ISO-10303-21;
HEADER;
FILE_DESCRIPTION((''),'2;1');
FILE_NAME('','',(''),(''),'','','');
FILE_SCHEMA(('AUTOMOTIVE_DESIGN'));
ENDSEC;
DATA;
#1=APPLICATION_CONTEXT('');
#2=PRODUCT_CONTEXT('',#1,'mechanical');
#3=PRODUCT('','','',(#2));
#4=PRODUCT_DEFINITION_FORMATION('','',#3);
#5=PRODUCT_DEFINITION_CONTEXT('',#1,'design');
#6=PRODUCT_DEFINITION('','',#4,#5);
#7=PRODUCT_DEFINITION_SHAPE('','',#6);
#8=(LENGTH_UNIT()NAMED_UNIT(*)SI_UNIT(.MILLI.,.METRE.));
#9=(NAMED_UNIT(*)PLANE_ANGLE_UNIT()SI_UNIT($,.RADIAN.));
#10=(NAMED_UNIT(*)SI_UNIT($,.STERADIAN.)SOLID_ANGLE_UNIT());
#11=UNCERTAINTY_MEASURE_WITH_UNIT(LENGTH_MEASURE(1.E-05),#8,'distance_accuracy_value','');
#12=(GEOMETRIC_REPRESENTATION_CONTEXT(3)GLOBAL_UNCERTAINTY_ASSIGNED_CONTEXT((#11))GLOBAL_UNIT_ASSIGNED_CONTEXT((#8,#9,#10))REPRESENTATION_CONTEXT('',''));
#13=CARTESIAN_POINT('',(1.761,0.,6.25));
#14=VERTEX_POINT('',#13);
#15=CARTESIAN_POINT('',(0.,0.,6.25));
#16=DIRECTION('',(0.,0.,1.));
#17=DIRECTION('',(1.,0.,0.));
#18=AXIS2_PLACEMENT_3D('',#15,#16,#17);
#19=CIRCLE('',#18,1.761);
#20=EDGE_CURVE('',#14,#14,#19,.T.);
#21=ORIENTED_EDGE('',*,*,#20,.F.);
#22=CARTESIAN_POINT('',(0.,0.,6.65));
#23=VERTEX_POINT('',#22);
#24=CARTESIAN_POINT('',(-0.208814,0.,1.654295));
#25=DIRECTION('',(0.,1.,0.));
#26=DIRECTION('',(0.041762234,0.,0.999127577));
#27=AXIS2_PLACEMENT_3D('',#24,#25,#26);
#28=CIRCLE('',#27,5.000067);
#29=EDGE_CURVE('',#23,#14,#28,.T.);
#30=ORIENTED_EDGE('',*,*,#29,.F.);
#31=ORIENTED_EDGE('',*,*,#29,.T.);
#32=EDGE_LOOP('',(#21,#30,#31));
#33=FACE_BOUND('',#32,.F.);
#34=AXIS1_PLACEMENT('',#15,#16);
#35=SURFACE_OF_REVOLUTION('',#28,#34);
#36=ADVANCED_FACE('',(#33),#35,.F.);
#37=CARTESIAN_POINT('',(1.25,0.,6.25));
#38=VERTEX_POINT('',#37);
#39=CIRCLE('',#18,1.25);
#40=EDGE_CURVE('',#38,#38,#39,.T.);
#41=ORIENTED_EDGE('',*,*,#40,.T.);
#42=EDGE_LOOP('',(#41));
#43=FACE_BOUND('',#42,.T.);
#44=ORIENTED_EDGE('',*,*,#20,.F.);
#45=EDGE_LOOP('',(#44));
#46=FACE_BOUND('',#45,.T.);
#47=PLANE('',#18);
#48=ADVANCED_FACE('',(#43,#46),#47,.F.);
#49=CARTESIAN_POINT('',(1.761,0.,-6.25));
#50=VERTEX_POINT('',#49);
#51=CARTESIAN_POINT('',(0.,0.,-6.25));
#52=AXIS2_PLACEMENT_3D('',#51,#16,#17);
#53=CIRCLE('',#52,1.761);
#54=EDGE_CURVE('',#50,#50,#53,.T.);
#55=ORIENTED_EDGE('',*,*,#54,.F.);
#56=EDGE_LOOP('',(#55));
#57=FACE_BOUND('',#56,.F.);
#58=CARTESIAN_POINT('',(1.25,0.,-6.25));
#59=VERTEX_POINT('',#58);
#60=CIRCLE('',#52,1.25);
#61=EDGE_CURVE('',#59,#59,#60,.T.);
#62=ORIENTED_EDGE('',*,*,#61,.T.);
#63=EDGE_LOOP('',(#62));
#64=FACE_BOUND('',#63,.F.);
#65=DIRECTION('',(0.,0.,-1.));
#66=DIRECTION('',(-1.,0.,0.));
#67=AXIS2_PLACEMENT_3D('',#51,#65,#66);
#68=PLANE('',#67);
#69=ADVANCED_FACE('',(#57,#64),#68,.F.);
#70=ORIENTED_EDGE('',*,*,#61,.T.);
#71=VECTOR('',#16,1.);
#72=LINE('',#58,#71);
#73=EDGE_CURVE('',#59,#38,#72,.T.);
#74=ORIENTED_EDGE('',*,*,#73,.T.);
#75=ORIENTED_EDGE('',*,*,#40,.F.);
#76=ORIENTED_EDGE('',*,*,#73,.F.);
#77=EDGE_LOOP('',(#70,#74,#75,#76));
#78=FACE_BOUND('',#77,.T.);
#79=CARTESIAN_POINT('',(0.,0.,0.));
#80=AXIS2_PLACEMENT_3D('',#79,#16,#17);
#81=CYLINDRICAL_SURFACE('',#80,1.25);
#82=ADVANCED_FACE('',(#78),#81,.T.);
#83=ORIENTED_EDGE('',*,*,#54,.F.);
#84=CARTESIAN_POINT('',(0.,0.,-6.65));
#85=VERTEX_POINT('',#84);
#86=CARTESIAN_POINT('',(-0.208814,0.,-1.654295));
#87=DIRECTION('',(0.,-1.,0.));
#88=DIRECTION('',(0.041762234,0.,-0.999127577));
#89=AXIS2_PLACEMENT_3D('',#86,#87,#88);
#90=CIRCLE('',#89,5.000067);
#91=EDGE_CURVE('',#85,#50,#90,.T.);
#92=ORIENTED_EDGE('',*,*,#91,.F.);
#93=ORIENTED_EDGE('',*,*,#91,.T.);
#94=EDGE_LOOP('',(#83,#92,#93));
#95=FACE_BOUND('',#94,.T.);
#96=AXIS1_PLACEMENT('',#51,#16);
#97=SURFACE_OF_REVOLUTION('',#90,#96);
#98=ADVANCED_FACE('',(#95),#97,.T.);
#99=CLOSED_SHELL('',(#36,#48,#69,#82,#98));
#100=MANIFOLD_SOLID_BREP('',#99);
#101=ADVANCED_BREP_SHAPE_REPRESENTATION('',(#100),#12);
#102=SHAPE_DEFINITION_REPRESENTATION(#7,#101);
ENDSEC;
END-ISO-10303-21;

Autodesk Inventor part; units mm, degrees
ref_plane "YZ Plane" through (0, 0, 0) normal (1, 0, 0) x (0, 1, 0)
ref_plane "XZ Plane" through (0, 0, 0) normal (0, 1, 0) x (-1, 0, 0)
ref_plane "XY Plane" through (0, 0, 0) normal (0, 0, 1) x (1, 0, 0)
sketch "Sketch2" plane through (0, 0, 0) normal (0, 0, 1) x (1, 0, 0)
  circle A0 centre (0, 0) radius 1.25
  dimension "d44" = 2.5
extrude "Extrusion8" add sketch "Sketch2" along normal mid plane 12.5
sketch "Sketch3" plane through (0, 0, 6.25) normal (0, 0, 1) x (1, 0, 0)
  circle A0 centre (0, 0) radius 1.75
  dimension "d47" = 3.5
sketch "Sketch4" plane through (0, 0, 0) normal (0, 1, 0) x (-1, 0, 0)
  line L0 (1.25, 6.25) -> (-1.25, 6.25) projected
  line L1 (0, 6.25) -> (0, 6.65)
  arc A0 (0, 6.65) -> (-1.761, 6.25) centre (0.2088, 1.6544) ccw
  line L2 (0, 6.25) -> (-1.761, 6.25)
  point P0 (0, 0)
  dimension "d48" = 0.4
  dimension "d49" = 5
revolve "Revolution1" add sketch "Sketch4" angle 360 about axis through (0, 0, 6.25) along (0, 0, 1)
mirror "Mirror1" about plane through (0, 0, 0) normal (0, 0, 1) of "Revolution1"
properties part number "link7" material "Aluminum 6061"
